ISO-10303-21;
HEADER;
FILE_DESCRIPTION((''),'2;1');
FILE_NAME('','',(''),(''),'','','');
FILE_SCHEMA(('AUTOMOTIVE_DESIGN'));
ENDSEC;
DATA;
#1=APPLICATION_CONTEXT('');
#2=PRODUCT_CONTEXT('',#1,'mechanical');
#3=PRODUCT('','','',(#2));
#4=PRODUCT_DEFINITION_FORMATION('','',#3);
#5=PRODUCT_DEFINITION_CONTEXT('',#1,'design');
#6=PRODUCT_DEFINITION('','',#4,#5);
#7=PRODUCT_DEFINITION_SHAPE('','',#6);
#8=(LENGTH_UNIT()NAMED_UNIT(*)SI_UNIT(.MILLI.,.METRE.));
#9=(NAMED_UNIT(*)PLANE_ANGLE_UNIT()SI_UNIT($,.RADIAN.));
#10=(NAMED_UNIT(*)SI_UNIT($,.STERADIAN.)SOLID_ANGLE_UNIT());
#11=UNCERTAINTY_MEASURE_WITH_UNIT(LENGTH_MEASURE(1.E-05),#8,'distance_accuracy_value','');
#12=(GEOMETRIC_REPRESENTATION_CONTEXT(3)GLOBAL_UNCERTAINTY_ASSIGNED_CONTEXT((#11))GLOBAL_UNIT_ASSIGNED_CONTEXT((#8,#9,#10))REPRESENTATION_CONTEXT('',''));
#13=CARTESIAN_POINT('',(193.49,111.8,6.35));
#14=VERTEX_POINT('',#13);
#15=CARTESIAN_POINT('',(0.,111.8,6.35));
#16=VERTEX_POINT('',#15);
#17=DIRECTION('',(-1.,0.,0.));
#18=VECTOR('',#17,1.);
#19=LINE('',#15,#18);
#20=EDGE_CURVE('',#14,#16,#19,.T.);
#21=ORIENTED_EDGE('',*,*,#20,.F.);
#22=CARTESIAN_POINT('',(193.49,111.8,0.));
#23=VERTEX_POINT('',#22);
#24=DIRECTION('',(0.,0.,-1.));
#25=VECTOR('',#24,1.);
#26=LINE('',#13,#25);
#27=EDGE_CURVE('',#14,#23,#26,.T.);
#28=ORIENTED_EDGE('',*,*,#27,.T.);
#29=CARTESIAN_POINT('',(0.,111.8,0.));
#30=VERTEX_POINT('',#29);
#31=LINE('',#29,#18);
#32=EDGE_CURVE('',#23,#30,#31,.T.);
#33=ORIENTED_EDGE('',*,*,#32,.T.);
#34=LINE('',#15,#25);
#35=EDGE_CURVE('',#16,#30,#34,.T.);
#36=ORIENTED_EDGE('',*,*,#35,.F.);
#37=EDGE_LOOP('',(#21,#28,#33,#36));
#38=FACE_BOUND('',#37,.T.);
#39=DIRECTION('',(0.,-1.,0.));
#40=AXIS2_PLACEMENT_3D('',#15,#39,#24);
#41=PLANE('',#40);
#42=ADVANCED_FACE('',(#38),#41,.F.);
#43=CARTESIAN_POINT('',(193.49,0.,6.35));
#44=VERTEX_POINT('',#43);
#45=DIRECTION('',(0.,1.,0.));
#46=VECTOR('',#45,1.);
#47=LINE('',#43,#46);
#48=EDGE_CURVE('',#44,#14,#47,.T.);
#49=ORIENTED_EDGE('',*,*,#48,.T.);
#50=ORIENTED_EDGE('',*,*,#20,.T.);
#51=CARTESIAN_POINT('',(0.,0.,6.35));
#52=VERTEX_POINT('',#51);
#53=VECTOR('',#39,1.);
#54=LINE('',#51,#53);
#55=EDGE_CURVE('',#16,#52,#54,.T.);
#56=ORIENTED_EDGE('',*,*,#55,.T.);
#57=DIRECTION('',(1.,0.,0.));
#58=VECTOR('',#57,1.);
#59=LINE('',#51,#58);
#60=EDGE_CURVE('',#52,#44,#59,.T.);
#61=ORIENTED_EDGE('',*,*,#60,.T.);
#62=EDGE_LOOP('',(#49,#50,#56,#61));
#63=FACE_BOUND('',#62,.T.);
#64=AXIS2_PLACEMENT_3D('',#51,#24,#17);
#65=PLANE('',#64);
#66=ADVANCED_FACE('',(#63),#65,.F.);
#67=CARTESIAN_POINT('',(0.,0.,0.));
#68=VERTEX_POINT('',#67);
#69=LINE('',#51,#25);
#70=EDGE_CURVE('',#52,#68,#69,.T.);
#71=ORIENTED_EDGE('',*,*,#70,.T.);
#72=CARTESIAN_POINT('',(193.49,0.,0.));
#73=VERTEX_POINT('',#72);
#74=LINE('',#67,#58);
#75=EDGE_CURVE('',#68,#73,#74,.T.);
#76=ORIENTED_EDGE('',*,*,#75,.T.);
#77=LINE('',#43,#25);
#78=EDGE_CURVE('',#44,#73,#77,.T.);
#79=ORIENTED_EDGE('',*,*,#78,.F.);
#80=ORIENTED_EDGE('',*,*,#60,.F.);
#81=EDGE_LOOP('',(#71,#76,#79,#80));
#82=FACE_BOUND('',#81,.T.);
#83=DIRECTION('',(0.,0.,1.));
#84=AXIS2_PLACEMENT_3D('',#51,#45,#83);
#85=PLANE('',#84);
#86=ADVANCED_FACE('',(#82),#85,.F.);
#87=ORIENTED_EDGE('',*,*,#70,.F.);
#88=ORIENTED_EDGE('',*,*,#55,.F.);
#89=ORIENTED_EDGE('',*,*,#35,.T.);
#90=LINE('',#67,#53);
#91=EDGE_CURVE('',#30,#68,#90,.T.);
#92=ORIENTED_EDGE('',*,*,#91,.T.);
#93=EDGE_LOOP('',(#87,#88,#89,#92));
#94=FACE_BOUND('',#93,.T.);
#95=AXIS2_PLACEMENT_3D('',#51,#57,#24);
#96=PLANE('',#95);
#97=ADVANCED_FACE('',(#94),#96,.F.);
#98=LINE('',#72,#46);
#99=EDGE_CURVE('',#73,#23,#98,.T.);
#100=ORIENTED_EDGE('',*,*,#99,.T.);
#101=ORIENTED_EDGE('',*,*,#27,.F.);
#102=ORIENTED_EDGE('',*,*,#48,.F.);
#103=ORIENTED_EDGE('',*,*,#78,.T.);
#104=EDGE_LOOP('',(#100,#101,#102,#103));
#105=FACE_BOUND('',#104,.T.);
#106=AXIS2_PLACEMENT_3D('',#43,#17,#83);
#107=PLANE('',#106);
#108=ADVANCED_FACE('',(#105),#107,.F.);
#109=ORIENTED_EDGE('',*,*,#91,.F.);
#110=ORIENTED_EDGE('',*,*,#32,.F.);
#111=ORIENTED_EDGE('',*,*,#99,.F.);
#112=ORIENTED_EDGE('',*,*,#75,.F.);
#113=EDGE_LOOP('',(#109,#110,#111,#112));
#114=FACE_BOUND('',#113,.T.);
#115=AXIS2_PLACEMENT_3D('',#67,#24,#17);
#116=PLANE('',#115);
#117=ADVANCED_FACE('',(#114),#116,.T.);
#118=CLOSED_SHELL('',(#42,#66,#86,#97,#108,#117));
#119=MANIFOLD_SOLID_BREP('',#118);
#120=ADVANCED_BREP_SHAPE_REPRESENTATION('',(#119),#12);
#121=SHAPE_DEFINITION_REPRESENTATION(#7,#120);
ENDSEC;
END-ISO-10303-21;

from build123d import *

# Parameters (mm, degrees)
SKETCH1_W           = 193.49
SKETCH1_H           = 111.8
BOSS_EXTRUDE1_DEPTH = 6.35


with BuildPart() as part:
    # Sketch1 → Boss-Extrude1 (new body)
    with BuildSketch(Plane.XY):
        with Locations((96.745, 55.9)):
            Rectangle(SKETCH1_W, SKETCH1_H)
    extrude(amount=BOSS_EXTRUDE1_DEPTH)


solid = part.part
